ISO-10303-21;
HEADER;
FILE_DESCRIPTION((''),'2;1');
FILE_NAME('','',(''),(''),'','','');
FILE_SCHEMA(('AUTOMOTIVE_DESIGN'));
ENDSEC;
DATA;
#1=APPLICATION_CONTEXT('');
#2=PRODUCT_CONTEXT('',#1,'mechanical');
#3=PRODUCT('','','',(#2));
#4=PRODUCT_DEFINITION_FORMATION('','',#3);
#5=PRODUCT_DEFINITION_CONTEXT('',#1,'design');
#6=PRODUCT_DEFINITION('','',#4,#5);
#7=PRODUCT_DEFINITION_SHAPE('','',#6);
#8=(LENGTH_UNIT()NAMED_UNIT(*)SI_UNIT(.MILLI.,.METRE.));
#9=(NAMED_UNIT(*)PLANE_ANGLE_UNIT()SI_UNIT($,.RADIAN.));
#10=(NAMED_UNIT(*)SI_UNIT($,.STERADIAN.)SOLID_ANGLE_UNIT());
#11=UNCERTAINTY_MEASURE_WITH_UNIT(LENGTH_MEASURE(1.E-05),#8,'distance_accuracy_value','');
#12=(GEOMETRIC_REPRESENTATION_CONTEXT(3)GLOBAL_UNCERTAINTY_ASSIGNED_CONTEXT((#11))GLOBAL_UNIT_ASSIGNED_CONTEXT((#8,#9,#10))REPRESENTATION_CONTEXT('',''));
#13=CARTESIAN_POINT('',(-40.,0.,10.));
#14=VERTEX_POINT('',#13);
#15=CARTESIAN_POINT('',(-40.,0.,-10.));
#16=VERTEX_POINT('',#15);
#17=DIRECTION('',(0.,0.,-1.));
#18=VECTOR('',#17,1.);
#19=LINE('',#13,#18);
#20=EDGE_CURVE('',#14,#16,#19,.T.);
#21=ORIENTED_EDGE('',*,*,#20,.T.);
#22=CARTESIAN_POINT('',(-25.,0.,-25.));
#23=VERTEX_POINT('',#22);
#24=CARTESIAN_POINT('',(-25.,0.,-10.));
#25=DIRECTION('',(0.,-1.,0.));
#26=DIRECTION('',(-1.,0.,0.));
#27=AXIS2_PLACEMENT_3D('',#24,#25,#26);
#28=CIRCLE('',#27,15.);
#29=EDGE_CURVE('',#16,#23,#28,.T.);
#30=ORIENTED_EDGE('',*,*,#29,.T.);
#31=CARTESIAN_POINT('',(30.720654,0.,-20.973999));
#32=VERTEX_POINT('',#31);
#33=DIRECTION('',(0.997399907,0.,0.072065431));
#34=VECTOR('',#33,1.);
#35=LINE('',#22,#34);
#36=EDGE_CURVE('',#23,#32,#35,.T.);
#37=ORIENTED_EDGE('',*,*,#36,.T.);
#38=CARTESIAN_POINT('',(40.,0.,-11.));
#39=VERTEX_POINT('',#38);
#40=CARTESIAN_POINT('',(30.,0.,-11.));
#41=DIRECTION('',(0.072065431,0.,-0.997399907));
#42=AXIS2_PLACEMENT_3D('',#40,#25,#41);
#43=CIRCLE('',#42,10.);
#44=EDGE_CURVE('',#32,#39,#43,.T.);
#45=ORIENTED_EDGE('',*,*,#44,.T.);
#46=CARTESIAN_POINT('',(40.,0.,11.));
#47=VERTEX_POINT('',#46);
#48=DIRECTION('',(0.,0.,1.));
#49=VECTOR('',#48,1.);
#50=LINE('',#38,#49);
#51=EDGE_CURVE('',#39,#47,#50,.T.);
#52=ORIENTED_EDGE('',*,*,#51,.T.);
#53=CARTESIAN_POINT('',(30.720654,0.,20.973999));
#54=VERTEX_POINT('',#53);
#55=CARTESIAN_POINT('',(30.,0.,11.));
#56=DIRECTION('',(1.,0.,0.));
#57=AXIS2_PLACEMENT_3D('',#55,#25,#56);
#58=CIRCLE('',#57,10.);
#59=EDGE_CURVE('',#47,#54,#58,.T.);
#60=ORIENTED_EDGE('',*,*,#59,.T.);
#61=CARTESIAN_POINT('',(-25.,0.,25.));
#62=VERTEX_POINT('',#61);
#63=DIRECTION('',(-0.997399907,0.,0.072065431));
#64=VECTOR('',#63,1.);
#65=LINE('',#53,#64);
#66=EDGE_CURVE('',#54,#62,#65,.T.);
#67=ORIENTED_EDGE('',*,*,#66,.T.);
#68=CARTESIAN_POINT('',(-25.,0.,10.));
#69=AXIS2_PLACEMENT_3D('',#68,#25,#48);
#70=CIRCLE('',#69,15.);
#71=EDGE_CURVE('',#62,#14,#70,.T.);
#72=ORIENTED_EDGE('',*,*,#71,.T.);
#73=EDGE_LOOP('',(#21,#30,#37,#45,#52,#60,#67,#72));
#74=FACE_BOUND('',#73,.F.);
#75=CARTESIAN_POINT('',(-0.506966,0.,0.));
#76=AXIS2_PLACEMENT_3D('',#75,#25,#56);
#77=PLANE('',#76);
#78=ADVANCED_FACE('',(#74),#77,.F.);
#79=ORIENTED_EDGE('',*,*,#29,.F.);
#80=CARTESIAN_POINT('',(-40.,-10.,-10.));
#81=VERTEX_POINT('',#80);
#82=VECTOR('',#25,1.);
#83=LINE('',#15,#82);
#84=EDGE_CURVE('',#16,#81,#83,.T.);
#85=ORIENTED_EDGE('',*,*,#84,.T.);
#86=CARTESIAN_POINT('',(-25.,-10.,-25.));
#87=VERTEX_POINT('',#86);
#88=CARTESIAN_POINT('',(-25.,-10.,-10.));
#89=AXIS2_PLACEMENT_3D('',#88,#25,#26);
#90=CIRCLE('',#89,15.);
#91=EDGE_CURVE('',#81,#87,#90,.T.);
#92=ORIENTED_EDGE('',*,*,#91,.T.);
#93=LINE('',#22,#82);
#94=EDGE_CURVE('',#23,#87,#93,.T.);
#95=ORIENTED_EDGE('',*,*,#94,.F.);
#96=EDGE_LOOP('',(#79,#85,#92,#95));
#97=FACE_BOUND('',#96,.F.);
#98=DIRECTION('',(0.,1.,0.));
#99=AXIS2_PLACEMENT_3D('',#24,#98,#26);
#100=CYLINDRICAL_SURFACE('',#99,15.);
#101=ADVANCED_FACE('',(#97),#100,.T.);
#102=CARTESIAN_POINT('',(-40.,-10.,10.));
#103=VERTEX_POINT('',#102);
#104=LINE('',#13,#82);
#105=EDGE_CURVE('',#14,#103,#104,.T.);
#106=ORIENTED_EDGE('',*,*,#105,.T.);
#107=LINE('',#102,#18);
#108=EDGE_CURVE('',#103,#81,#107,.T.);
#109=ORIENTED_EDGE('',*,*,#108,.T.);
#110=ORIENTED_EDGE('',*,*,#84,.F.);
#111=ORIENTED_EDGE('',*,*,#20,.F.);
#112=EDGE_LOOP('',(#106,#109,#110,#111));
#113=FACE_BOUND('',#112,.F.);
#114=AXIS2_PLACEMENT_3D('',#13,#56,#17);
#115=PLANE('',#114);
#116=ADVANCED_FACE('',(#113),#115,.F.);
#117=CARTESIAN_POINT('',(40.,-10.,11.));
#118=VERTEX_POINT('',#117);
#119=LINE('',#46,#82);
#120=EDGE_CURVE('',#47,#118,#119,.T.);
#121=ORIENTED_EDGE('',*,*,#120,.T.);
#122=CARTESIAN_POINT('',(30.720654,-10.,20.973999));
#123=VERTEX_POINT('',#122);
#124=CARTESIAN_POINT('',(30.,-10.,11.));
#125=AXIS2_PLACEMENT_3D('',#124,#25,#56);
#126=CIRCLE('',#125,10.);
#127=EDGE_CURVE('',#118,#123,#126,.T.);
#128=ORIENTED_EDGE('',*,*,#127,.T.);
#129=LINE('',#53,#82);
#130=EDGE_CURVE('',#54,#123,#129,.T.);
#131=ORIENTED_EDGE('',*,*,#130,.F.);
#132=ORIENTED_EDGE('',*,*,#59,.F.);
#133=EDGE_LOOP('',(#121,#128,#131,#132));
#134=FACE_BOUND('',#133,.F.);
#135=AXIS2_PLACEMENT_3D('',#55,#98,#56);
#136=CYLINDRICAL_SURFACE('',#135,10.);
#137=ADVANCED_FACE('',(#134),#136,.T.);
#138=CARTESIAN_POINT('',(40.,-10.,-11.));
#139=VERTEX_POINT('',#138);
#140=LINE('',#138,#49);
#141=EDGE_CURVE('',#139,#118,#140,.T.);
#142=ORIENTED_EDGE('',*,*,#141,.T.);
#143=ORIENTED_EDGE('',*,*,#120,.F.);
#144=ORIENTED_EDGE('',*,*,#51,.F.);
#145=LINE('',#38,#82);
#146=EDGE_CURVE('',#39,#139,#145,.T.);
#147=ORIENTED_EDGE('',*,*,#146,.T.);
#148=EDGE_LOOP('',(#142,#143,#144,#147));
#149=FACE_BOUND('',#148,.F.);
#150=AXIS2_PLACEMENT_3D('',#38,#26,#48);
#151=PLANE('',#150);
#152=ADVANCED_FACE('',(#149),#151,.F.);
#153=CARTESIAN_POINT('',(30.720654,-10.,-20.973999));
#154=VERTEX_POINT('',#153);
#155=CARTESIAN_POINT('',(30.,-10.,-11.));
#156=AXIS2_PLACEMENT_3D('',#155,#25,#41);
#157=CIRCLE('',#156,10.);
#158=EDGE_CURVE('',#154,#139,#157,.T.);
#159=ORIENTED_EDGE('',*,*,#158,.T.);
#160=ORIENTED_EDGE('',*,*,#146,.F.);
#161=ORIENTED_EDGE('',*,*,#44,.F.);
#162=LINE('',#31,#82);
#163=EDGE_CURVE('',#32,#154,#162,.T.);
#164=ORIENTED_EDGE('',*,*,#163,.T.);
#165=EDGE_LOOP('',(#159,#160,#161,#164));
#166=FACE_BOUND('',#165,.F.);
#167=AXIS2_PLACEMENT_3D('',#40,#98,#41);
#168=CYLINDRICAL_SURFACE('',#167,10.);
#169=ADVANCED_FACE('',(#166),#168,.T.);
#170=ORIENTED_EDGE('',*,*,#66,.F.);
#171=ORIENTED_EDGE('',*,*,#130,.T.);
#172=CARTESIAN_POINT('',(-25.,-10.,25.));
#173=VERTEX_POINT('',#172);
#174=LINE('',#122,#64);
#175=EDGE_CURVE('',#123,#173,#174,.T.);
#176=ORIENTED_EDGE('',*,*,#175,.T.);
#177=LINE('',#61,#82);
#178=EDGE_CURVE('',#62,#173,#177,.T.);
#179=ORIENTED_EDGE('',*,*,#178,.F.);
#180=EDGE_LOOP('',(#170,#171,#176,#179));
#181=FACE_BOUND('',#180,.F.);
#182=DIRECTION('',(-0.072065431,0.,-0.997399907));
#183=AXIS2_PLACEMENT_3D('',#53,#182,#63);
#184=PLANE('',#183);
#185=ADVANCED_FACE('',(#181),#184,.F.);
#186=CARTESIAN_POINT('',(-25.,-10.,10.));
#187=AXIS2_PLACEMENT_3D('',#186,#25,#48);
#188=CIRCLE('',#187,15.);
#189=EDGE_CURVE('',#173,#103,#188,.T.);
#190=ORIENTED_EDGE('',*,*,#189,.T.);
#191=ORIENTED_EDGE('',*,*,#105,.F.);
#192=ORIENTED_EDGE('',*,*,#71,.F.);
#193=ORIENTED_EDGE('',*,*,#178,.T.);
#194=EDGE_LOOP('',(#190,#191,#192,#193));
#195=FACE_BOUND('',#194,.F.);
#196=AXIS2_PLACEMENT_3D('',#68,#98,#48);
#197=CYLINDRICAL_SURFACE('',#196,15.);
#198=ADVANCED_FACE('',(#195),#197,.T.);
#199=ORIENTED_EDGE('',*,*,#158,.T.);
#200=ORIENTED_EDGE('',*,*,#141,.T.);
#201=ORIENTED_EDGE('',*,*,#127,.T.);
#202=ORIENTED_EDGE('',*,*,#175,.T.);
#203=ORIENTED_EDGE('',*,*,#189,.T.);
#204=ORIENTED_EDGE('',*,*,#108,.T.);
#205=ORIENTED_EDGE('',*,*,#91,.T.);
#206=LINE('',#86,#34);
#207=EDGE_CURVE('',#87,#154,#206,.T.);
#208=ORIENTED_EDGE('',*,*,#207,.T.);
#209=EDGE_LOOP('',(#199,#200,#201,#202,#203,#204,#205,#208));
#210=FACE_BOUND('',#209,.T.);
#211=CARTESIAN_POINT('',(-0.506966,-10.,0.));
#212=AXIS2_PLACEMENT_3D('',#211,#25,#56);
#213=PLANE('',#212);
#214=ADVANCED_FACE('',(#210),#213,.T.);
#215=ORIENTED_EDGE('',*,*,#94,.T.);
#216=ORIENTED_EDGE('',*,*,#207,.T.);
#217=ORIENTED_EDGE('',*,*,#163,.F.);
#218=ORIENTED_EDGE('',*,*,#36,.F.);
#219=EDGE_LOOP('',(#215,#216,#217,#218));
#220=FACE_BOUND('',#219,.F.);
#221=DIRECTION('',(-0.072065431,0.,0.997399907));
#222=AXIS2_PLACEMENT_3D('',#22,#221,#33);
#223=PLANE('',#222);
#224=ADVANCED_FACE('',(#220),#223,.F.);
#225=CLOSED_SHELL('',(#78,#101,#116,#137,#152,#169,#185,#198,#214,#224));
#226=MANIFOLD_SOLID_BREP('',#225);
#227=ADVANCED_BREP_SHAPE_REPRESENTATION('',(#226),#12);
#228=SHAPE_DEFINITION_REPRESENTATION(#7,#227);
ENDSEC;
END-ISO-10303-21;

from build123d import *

# Parameters (mm, degrees)
F0_R     = 5
F0_R_2   = 15
F0_R_3   = 4
F1_DEPTH = 10


with BuildPart() as f1:
    # F0 (on Front) → F1 (new body)
    with BuildSketch(Plane.XZ):
        with BuildLine():
            Line((-40, 10), (-40, -10))
            ThreePointArc((-40, -10), (-35.6066017178, -20.6066017178), (-25, -25))
            Line((-25, -25), (30.7206543077, -20.973999066))
            ThreePointArc((30.7206543077, -20.973999066), (37.3214255127, -17.8115144029), (40, -11))
            Line((40, -11), (40, 11))
            ThreePointArc((40, 11), (37.3214255127, 17.8115144029), (30.7206543077, 20.973999066))
            Line((30.7206543077, 20.973999066), (-25, 25))
            ThreePointArc((-25, 25), (-35.6066017178, 20.6066017178), (-40, 10))
        make_face()
        with Locations((-25, -10)):
            Circle(F0_R, mode=Mode.SUBTRACT)
        with Locations((-25, 10)):
            Circle(F0_R, mode=Mode.SUBTRACT)
        Circle(F0_R_2, mode=Mode.SUBTRACT)
        with Locations((25, 0)):
            Circle(F0_R_3, mode=Mode.SUBTRACT)
        Circle(F0_R_2)
        with Locations((-25, 10)):
            Circle(F0_R)
        with Locations((-25, -10)):
            Circle(F0_R)
        with Locations((25, 0)):
            Circle(F0_R_3)
    extrude(amount=F1_DEPTH)


solid = f1.part
